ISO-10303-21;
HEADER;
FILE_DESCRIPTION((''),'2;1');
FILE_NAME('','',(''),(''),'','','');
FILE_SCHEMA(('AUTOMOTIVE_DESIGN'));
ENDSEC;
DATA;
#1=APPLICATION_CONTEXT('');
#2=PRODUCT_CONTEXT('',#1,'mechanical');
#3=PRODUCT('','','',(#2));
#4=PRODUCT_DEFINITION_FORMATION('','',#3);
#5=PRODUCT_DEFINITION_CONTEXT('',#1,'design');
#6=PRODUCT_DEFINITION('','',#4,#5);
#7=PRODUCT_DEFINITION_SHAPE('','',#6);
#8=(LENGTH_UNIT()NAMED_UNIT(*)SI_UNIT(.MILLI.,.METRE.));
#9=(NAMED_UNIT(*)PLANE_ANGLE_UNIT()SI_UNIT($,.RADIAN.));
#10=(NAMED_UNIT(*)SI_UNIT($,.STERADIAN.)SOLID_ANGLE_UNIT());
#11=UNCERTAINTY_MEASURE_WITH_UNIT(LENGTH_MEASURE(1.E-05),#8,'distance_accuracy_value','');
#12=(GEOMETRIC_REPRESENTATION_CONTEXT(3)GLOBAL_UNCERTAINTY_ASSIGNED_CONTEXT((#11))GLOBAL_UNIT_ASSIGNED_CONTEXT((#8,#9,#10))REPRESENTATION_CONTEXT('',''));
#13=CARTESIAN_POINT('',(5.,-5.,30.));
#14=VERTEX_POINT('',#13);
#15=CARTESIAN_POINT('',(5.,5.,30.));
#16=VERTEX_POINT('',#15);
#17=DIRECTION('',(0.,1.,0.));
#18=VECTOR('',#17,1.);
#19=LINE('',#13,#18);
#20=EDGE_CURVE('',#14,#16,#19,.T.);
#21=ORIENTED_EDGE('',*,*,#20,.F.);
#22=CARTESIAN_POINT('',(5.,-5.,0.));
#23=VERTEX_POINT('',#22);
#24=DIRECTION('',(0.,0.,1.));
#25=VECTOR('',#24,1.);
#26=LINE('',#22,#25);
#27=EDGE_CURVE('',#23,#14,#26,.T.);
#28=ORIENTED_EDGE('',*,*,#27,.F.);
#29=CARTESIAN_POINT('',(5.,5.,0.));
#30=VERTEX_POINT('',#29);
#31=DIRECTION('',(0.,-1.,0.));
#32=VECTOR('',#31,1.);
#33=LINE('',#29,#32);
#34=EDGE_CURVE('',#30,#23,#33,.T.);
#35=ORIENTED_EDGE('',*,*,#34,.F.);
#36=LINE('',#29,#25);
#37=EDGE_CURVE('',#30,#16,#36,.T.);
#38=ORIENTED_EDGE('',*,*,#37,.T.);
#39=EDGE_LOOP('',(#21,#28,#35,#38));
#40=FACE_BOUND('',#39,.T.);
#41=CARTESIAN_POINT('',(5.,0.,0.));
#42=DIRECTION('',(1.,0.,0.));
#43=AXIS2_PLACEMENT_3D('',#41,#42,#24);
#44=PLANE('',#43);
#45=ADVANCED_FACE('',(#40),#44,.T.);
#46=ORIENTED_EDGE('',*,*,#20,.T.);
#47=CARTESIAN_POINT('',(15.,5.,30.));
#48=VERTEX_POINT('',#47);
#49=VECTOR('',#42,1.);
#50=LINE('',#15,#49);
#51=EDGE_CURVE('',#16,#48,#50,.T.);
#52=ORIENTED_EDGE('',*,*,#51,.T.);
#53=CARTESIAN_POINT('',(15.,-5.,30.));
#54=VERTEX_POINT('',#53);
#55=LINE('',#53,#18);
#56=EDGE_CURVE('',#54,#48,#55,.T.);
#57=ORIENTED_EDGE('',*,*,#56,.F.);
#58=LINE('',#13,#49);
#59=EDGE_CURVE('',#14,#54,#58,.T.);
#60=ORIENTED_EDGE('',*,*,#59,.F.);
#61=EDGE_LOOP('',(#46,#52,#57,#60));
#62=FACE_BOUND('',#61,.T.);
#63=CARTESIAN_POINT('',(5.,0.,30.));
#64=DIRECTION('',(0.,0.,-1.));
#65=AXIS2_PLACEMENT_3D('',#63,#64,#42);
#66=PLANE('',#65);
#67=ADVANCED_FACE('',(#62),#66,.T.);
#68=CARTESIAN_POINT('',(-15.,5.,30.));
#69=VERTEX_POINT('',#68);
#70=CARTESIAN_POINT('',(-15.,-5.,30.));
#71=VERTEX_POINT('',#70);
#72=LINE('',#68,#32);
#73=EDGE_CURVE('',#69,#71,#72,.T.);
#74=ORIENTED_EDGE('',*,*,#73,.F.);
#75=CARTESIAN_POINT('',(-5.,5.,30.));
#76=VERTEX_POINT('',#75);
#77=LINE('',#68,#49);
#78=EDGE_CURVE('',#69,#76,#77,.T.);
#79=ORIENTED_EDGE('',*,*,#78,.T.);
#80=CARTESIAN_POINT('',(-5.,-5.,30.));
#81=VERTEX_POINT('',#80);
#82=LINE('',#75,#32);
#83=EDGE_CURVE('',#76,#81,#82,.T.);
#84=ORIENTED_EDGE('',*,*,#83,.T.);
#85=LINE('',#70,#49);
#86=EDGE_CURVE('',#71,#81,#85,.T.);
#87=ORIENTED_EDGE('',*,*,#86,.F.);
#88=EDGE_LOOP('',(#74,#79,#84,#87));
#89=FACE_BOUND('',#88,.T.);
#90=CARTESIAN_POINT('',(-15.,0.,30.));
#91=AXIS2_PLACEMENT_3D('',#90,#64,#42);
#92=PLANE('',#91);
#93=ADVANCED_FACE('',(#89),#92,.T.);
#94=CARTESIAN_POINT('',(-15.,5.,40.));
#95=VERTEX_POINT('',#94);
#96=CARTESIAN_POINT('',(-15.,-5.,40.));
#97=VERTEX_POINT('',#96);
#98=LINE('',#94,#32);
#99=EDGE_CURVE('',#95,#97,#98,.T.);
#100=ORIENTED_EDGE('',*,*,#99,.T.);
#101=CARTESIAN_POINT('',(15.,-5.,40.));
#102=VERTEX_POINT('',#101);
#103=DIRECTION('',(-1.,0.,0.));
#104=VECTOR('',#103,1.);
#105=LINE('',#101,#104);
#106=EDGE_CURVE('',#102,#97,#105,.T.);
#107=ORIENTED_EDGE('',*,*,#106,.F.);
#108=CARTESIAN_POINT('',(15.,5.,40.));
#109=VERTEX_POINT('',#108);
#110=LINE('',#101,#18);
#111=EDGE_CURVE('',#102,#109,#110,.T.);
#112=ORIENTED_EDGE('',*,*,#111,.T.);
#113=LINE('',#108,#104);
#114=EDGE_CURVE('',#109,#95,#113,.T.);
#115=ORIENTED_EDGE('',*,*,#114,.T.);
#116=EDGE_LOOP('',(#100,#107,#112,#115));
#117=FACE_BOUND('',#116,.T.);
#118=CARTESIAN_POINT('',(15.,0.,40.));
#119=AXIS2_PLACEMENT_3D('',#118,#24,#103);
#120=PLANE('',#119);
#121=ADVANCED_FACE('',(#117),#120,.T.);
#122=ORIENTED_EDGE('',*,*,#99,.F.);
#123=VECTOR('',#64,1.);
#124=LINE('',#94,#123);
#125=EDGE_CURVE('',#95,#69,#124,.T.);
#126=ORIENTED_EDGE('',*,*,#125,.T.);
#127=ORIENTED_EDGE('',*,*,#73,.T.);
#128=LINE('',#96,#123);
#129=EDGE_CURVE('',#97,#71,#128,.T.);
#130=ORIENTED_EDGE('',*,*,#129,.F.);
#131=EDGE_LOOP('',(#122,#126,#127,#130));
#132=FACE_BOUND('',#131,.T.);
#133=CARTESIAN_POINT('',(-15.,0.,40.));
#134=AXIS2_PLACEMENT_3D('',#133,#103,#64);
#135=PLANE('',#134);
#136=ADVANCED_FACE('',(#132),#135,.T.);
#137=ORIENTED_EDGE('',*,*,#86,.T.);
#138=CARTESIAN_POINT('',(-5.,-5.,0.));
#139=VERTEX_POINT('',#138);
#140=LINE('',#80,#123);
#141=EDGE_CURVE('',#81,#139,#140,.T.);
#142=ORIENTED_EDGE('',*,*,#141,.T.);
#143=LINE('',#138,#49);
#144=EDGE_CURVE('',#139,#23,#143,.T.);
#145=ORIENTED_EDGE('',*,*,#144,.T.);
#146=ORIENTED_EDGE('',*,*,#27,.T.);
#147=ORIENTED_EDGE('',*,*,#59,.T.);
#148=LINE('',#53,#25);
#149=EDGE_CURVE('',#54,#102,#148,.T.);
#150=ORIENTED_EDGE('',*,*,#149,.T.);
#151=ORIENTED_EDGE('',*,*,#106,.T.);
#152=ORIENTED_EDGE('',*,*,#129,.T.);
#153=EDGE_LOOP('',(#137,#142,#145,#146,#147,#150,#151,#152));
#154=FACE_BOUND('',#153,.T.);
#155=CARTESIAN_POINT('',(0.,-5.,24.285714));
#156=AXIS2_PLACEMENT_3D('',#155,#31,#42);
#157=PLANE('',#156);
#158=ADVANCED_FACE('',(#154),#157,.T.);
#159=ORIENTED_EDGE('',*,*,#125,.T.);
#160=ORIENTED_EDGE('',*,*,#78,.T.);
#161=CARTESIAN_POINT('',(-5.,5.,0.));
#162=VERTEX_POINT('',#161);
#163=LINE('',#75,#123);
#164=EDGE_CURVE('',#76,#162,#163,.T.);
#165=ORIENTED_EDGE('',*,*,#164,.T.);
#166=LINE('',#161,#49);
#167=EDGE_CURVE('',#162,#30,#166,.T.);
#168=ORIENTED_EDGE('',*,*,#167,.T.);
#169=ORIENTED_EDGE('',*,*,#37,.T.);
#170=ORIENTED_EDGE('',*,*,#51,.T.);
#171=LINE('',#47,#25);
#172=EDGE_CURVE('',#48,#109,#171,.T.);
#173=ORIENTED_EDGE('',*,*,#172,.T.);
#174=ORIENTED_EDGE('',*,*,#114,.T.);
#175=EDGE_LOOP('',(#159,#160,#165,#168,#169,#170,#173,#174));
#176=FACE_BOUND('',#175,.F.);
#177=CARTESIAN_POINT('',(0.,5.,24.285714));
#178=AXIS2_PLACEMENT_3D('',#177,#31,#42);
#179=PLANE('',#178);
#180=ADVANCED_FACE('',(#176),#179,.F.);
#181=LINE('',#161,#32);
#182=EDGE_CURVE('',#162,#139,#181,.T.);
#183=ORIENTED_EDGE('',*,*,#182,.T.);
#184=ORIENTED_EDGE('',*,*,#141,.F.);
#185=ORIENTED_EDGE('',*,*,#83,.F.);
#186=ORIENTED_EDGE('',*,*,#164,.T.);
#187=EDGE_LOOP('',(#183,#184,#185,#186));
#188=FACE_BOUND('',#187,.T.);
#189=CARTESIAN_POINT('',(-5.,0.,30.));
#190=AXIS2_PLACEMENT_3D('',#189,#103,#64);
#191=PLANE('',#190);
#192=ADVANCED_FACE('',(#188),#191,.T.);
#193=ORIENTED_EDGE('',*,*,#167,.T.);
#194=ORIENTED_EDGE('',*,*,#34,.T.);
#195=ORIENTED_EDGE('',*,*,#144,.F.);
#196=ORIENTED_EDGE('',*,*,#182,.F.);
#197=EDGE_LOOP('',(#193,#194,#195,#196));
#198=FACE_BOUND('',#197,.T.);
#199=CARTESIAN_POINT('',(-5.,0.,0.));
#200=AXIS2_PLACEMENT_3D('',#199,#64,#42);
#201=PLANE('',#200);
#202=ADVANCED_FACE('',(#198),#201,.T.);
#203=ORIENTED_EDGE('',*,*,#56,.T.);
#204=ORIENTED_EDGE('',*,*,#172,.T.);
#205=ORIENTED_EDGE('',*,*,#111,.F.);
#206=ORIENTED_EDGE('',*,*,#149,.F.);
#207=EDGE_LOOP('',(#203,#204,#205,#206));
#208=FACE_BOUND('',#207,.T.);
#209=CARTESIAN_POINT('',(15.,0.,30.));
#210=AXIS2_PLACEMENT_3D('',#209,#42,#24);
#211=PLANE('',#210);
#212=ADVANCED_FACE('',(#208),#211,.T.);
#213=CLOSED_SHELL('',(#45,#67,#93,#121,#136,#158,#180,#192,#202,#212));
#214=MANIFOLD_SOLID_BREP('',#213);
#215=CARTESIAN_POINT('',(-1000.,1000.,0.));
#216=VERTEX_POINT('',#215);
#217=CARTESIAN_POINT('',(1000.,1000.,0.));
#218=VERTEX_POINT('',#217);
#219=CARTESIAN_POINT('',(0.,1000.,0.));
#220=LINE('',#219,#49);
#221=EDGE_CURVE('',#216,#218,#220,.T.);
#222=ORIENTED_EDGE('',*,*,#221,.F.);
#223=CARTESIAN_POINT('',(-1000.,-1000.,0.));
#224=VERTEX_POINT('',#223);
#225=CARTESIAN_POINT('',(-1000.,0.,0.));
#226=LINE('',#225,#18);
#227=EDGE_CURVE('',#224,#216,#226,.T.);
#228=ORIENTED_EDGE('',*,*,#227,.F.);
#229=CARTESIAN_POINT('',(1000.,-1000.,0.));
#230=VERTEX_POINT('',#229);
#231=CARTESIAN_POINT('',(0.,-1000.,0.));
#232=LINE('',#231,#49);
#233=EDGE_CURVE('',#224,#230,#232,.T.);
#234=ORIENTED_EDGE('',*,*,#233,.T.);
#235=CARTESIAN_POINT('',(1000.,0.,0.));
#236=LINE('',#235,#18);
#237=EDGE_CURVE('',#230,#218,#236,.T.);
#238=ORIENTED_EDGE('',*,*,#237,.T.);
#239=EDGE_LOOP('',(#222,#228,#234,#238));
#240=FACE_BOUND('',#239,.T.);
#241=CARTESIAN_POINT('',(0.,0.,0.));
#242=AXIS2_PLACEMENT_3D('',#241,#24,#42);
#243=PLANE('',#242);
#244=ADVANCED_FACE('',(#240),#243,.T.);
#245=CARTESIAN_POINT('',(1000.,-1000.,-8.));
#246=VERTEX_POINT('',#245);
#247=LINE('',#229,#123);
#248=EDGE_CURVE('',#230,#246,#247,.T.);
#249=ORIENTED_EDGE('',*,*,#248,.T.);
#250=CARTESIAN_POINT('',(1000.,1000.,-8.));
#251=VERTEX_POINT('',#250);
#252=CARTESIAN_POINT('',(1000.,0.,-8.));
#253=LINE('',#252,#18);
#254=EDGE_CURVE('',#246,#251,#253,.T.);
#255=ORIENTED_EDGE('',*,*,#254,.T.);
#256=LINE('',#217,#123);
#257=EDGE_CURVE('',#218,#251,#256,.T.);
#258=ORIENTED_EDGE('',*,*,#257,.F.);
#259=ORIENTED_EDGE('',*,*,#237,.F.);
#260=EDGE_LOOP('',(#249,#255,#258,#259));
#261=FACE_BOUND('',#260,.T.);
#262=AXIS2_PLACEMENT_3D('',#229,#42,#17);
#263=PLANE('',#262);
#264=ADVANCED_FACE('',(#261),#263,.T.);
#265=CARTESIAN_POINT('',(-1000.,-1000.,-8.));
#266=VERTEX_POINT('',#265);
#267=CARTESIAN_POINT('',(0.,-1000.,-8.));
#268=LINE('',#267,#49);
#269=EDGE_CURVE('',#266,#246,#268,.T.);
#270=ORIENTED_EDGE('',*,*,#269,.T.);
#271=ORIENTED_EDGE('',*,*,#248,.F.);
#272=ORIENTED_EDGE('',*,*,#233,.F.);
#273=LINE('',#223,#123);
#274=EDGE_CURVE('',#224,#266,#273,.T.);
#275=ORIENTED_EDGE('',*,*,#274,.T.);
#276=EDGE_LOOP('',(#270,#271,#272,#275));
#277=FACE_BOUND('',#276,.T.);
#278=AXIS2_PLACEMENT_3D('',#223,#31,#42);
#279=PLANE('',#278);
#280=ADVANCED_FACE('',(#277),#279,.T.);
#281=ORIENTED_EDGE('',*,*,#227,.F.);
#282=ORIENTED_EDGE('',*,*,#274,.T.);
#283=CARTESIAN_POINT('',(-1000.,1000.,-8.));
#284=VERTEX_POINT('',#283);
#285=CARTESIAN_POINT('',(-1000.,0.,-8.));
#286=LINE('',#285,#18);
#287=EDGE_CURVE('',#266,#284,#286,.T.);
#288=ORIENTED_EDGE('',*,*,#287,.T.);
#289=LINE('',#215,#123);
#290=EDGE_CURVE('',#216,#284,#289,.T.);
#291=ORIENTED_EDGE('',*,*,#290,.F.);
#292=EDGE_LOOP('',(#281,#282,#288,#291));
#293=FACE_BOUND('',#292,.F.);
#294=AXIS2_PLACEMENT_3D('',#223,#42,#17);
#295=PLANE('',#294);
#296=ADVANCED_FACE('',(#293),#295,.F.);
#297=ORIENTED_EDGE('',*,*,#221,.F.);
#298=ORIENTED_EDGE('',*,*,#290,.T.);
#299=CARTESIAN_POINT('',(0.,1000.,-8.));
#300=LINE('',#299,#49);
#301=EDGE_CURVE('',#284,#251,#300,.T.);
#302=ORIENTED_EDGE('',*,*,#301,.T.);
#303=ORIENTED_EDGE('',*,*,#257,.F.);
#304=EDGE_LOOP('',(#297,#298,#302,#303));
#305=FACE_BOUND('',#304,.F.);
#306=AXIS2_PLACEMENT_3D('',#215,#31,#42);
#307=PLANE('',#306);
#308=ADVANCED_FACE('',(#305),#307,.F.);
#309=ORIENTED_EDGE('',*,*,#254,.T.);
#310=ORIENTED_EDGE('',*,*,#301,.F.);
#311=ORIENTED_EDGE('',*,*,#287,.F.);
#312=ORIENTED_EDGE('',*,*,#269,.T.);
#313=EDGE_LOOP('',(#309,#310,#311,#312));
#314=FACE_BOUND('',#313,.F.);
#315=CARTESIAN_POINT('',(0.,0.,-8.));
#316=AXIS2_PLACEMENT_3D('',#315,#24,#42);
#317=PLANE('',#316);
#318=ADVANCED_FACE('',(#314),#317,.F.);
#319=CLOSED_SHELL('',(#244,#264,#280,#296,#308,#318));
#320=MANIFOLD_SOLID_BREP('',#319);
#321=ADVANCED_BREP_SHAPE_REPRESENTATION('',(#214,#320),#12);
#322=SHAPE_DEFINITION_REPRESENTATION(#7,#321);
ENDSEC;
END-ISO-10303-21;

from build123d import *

# Parameters (mm, degrees)
F1_DEPTH = 5
F2_W     = 2000
F2_H     = 2000
F3_DEPTH = 8


with BuildPart() as f1:
    # F0 (on Front) → F1 (new body, symmetric)
    with BuildSketch(Plane.XZ):
        Polygon((15, 40), (-15, 40), (-15, 30), (-5, 30), (-5, 0), (5, 0), (5, 30), (15, 30), align=None)
    extrude(amount=F1_DEPTH, both=True)


with BuildPart() as f3:
    # F2 (on Top) → F3 (new body)
    with BuildSketch(Plane.XY):
        Rectangle(F2_W, F2_H)
    extrude(amount=-F3_DEPTH)


solid = Compound([f1.part, f3.part])
